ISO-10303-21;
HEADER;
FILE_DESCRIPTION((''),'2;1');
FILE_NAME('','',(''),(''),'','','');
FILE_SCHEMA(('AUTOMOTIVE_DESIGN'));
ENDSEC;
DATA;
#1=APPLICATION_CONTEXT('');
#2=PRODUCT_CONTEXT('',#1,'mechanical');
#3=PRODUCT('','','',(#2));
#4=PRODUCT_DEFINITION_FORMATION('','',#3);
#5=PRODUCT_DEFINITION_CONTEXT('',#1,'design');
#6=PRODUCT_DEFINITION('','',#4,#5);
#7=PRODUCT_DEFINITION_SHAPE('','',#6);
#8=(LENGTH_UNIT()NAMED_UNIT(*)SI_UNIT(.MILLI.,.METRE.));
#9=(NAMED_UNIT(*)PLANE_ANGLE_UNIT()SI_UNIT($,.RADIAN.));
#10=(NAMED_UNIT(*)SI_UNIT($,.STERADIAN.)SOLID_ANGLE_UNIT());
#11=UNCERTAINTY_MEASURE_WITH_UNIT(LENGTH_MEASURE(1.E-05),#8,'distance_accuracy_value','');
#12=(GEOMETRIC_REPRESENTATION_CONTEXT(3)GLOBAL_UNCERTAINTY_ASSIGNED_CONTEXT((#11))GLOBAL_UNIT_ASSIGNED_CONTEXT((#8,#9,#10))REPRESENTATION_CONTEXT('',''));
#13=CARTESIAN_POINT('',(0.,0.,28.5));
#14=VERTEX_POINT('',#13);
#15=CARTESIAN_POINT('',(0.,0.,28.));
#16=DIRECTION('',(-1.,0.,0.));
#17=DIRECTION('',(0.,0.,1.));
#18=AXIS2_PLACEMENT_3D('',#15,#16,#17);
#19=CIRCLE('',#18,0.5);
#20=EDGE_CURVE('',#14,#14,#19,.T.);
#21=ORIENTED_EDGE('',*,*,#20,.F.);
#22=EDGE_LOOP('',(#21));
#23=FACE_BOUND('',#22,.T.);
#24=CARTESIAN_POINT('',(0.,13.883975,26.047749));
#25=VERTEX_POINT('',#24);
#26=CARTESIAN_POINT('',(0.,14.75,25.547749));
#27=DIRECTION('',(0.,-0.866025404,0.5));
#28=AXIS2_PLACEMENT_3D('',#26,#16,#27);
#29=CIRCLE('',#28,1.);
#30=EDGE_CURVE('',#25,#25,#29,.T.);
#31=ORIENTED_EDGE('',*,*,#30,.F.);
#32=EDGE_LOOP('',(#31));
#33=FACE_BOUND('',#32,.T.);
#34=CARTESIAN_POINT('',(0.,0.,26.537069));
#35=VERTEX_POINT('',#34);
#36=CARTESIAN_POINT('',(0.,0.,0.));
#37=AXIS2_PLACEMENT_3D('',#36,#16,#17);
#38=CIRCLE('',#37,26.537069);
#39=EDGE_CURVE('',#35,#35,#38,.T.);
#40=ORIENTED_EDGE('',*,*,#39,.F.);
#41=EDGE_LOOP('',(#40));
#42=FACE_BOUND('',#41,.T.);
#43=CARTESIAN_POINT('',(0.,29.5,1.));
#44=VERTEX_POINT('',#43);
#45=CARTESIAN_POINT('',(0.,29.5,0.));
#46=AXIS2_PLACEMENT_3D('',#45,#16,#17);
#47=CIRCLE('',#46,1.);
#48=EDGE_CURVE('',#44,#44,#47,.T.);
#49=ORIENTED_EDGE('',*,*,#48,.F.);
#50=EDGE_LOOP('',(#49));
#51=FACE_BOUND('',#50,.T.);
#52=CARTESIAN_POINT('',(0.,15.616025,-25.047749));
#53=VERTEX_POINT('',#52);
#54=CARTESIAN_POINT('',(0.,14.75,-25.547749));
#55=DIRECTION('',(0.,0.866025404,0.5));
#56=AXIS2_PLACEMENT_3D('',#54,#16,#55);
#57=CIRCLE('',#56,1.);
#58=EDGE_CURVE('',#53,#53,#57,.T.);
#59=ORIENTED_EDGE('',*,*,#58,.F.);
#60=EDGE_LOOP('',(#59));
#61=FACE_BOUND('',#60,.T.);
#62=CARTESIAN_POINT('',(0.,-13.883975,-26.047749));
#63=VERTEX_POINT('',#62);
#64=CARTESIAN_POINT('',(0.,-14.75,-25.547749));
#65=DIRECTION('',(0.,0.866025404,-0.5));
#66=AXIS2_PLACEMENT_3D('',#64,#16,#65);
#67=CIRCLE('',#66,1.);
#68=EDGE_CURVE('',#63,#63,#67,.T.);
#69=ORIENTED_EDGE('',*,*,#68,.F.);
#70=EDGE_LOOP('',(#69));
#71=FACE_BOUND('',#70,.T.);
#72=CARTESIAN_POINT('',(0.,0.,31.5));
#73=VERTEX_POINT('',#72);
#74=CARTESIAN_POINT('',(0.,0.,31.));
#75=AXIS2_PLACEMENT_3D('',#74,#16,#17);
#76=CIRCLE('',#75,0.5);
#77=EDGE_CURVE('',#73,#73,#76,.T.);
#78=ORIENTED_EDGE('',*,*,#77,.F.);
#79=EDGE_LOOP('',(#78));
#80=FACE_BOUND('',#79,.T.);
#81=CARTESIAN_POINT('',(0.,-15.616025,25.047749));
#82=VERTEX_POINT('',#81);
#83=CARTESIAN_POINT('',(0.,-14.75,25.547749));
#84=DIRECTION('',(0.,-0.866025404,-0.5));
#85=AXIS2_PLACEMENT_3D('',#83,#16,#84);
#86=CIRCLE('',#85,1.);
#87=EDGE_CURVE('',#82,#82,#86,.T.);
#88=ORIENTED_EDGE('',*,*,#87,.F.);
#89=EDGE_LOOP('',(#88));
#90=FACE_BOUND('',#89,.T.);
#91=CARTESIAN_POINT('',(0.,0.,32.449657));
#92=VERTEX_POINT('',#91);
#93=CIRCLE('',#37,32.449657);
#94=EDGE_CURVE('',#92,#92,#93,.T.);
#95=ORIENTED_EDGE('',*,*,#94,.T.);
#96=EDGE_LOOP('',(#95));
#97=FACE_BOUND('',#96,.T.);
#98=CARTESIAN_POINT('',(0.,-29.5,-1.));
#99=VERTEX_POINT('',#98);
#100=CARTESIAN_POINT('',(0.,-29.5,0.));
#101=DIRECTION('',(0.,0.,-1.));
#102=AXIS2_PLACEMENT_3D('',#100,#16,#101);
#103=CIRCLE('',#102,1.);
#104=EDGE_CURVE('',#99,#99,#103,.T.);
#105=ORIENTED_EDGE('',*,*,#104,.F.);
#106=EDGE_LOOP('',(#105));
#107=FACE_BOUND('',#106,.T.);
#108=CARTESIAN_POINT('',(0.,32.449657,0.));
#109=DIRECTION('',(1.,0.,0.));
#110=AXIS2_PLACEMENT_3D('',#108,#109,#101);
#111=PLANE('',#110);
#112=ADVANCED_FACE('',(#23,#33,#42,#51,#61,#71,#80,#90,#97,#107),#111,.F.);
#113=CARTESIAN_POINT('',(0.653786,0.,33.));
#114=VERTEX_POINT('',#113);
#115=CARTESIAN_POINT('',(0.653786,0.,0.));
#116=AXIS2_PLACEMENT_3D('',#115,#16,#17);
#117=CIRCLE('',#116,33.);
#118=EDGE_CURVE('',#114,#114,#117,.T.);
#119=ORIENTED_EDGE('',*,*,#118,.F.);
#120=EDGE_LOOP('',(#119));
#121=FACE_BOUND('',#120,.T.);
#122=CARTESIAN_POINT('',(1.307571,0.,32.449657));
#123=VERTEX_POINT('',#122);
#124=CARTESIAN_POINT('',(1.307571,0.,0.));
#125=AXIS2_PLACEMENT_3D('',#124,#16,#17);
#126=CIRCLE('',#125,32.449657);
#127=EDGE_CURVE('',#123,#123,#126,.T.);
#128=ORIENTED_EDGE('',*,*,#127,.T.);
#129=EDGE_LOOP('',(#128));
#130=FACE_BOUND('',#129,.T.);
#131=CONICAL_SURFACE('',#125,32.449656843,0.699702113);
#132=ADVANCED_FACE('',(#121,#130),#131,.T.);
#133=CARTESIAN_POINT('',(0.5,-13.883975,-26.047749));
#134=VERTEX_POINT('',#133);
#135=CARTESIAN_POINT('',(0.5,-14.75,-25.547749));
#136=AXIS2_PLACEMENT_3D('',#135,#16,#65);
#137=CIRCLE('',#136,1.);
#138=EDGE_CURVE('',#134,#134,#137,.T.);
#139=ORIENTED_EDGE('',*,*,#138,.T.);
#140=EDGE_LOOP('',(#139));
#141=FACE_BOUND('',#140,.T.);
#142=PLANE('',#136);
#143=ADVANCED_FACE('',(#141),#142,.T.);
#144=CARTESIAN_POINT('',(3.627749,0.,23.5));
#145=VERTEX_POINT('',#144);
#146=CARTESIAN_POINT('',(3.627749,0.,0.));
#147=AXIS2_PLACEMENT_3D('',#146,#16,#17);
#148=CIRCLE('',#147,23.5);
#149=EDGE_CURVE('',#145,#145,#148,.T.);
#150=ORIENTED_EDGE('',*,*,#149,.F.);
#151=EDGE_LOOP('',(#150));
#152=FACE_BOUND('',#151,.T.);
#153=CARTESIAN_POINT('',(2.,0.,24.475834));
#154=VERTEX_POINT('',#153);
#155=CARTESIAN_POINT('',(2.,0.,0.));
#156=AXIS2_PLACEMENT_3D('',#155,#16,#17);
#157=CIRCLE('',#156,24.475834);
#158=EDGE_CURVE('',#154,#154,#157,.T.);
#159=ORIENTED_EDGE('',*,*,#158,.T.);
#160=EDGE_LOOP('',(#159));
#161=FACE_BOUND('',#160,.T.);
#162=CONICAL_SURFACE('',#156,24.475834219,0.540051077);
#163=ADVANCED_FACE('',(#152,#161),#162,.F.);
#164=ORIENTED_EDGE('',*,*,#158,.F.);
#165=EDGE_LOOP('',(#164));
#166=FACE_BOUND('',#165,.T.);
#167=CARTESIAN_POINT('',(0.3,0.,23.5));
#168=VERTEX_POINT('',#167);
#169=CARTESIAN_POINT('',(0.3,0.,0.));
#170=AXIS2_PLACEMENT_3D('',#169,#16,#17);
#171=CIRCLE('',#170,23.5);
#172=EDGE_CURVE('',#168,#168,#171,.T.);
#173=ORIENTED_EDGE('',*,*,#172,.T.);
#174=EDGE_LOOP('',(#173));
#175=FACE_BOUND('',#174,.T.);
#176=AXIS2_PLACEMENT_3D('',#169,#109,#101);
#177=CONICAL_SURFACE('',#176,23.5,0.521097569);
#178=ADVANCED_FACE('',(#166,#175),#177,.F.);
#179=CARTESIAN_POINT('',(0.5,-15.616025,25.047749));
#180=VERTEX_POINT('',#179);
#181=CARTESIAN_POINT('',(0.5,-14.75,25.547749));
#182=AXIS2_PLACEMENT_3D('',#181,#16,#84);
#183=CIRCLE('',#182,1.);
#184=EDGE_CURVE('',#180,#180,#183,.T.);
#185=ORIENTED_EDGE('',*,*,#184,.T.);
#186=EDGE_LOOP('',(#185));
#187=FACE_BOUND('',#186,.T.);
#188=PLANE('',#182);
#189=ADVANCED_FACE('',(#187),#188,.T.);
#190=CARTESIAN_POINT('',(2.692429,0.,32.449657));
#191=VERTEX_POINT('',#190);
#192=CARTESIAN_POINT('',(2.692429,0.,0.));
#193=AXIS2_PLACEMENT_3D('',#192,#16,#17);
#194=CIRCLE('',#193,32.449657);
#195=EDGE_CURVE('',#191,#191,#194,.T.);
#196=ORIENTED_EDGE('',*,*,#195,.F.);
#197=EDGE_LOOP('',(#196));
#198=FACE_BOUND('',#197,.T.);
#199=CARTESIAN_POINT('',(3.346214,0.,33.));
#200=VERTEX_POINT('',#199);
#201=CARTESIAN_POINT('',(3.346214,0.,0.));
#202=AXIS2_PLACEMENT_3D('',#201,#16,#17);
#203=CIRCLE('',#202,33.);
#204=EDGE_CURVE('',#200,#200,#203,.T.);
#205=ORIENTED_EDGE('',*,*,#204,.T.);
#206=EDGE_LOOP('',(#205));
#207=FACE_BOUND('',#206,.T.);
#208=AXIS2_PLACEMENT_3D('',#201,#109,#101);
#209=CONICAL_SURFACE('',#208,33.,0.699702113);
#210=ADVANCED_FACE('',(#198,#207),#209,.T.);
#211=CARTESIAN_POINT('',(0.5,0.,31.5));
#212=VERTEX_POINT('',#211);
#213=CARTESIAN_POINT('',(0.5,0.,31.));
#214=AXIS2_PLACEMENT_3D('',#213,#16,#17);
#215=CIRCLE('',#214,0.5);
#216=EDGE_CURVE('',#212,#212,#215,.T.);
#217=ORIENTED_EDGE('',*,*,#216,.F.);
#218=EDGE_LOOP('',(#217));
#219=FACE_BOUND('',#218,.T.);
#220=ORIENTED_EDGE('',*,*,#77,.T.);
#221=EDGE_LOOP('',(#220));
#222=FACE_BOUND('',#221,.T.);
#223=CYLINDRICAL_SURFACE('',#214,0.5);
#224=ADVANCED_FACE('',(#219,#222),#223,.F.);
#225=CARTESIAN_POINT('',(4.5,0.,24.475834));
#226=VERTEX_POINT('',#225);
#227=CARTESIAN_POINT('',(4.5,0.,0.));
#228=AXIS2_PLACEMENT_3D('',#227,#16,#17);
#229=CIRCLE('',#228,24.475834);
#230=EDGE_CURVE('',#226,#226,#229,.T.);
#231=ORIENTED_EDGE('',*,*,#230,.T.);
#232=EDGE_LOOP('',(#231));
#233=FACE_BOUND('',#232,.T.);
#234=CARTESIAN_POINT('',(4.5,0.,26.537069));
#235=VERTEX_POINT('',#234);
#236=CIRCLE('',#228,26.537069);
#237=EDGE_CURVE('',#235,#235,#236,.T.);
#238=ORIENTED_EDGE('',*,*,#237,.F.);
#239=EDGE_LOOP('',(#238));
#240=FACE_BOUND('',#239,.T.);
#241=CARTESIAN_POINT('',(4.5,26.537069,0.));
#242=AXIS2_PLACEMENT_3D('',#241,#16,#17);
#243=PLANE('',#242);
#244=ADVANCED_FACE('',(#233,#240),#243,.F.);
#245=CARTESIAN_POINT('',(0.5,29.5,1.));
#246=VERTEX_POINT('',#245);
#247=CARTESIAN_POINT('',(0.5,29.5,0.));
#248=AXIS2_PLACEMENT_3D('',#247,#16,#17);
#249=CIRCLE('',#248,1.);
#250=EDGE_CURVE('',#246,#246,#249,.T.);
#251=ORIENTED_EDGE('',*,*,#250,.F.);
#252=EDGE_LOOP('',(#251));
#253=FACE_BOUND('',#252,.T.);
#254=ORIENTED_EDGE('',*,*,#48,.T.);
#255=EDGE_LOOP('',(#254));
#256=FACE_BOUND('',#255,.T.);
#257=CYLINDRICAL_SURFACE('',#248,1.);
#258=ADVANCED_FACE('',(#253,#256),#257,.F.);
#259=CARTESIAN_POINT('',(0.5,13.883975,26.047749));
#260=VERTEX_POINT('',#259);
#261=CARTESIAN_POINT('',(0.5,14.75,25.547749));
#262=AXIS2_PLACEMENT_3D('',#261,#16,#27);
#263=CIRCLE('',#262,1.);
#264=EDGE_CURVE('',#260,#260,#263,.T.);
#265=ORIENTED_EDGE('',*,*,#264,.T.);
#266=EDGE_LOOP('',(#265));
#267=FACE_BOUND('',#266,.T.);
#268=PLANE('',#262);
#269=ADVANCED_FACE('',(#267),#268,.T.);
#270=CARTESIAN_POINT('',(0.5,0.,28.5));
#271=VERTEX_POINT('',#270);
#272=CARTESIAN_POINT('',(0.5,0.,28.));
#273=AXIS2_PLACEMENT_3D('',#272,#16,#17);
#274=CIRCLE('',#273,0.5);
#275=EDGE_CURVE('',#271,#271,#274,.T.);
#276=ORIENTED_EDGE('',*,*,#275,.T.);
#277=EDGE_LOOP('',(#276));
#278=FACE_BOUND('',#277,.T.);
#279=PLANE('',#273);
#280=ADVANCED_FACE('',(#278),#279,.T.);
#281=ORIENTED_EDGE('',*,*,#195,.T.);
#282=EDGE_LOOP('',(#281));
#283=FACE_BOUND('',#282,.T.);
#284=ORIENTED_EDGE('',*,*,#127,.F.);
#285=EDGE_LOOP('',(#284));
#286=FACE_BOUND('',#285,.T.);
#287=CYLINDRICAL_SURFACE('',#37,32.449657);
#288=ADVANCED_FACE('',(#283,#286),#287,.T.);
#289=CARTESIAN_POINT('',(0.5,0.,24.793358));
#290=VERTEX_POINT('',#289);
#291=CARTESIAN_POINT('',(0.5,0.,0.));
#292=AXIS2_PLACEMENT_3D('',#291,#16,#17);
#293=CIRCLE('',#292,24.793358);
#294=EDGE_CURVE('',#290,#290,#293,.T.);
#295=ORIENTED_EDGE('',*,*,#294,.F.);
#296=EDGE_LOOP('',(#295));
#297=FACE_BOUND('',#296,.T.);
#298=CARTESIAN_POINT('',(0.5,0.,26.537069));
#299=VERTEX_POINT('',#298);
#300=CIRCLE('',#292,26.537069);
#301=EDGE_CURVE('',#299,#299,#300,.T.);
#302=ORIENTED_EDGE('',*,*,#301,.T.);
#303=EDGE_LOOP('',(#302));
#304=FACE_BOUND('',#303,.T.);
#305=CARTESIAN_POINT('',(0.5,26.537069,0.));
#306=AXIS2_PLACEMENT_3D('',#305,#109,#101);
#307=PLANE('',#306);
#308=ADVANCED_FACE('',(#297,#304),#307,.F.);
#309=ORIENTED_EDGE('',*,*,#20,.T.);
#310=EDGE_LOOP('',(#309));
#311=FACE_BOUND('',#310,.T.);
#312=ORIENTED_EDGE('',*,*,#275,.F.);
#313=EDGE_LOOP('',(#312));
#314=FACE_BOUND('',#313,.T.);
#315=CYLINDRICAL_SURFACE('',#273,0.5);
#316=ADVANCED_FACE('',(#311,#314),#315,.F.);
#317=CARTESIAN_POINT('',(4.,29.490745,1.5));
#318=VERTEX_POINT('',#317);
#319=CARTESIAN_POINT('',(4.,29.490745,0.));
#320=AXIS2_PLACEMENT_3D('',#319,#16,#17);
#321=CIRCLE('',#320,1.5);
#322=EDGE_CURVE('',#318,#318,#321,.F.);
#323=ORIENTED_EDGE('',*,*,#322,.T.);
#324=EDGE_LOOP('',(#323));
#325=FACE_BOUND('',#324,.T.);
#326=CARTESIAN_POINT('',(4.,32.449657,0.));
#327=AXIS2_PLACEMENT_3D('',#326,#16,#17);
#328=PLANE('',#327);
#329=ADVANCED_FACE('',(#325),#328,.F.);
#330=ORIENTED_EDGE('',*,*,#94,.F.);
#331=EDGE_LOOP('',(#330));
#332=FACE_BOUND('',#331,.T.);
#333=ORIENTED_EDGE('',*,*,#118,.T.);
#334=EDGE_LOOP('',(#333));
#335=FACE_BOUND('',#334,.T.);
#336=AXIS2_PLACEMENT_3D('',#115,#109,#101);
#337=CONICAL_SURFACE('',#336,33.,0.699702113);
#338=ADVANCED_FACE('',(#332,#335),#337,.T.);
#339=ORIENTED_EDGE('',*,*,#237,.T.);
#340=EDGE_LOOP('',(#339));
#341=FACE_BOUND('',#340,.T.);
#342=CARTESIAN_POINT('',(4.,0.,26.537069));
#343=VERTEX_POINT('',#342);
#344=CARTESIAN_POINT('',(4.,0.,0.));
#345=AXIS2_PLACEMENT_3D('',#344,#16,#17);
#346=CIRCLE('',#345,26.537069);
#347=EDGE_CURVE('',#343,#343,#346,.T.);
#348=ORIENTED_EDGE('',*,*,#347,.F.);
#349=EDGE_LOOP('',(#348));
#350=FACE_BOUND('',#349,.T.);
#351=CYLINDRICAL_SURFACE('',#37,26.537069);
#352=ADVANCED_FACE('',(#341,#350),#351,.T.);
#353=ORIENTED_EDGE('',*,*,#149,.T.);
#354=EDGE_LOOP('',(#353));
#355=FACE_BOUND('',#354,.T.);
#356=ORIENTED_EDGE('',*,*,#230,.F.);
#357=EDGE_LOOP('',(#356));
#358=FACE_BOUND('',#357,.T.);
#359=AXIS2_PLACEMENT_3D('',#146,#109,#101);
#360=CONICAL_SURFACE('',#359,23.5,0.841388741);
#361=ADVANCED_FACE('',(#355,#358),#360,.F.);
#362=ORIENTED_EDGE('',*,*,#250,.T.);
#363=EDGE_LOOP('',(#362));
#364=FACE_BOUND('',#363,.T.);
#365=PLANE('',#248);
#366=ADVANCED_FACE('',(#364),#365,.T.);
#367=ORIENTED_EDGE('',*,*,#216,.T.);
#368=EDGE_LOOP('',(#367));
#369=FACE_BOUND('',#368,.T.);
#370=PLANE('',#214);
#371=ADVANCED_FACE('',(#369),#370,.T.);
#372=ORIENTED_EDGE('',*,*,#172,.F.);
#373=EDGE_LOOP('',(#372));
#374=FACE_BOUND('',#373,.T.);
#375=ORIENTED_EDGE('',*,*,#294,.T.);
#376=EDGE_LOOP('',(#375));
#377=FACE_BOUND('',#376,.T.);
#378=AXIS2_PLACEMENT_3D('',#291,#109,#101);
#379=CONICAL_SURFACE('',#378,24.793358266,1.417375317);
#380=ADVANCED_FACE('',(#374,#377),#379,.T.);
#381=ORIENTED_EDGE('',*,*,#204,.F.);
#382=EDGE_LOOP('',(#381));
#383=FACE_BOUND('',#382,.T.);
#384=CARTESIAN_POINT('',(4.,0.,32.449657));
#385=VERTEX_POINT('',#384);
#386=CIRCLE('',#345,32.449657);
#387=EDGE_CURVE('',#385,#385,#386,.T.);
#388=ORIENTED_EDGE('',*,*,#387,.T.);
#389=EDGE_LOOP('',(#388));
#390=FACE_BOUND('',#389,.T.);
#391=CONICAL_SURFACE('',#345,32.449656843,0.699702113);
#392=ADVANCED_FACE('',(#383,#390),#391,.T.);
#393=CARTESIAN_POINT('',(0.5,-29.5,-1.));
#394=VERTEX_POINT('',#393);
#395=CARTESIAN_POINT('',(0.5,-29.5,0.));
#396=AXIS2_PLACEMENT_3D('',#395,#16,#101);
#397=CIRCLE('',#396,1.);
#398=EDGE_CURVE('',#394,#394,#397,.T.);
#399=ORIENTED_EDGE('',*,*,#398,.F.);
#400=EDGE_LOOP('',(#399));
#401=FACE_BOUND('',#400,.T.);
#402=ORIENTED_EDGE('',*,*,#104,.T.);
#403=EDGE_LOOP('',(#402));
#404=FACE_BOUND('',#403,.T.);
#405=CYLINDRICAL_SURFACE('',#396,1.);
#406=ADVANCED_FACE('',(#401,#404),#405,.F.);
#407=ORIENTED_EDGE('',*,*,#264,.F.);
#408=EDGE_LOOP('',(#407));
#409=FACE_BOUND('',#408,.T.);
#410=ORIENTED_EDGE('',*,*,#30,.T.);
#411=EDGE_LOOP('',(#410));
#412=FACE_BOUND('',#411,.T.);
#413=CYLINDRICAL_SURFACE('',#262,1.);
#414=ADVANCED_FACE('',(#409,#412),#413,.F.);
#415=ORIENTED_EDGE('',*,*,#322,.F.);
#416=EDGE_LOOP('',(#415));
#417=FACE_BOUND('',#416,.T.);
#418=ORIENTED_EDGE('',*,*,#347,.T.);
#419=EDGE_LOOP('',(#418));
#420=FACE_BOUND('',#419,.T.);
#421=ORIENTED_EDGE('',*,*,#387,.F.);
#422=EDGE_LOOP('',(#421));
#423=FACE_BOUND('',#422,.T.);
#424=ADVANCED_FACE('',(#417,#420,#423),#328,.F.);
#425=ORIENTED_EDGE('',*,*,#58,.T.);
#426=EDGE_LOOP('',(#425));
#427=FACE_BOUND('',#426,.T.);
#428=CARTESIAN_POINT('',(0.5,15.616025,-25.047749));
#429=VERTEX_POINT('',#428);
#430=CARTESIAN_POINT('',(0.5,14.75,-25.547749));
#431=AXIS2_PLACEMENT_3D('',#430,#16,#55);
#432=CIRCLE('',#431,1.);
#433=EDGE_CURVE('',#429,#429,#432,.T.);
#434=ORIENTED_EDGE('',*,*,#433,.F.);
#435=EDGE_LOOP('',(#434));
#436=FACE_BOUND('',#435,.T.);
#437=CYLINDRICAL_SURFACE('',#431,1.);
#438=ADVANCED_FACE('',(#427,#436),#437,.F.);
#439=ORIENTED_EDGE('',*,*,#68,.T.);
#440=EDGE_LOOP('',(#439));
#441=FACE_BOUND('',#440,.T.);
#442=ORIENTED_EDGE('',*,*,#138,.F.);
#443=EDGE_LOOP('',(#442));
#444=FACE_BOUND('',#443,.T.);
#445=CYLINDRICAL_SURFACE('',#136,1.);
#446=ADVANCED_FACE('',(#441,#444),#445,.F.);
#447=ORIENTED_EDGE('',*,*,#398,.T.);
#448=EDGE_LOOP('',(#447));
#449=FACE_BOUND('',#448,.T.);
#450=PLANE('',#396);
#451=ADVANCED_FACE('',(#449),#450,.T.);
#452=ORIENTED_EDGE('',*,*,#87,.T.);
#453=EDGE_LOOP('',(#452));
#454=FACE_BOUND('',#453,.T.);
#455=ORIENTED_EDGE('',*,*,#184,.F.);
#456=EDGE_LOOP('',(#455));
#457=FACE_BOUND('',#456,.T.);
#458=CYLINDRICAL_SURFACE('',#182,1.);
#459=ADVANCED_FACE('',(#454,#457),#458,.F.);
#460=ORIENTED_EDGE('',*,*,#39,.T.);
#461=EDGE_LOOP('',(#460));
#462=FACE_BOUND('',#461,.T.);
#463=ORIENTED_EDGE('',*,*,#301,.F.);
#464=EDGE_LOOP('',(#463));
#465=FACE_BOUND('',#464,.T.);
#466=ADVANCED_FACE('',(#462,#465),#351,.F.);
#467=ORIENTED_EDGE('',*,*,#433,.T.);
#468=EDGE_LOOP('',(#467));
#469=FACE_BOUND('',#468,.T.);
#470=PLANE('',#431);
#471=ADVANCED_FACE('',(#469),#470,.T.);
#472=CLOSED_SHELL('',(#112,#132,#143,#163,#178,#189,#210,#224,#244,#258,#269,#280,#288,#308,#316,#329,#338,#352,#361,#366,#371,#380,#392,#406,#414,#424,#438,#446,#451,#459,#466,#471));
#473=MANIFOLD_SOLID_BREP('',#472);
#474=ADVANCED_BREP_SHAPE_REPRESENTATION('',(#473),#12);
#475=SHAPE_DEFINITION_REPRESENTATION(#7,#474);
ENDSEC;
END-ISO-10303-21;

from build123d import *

# Parameters (mm, degrees)
ESQUISSE2_R                  = 1
ENL_V_MAT_EXTRU_1_DEPTH      = 0.5
R_P_TITION_CIRCULAIRE1_COUNT = 6
ESQUISSE5_R                  = 0.5
ENL_V_MAT_EXTRU_2_DEPTH      = 0.5


with BuildPart() as part:
    # Esquisse1 → Base-Révolution (revolve)
    with BuildSketch(Plane.XY):
        Polygon((0, 32.449656843), (0.653785579, 33), (1.307571158, 32.449656843), (2.692428842, 32.449656843), (3.346214421, 33), (4, 32.449656843), (4, 26.537069046), (4.5, 26.537069046), (4.5, 24.475834219), (3.627749385, 23.5), (2, 24.475834219), (0.3, 23.5), (0.5, 24.793358266), (0.5, 26.537069046), (0, 26.537069046), align=None)
    revolve(axis=Axis((0, 0, 0), (1, 0, 0)))

    # Esquisse2 → Enlèv. mat.-Extru.1 (cut)
    with BuildSketch(Plane.ZY):
        with Locations((0, 29.5)):
            Circle(ESQUISSE2_R)
    enl_v_mat_extru_1 = extrude(amount=-ENL_V_MAT_EXTRU_1_DEPTH, mode=Mode.SUBTRACT)

    # Répétition circulaire1: Enlèv. mat.-Extru.1 ×6 about axis
    r_p_tition_circulaire1_axis = Axis((-2.3625, 0, 0), (1, 0, 0))
    for i in range(1, R_P_TITION_CIRCULAIRE1_COUNT):
        add(enl_v_mat_extru_1.rotate(r_p_tition_circulaire1_axis, i * 360 / R_P_TITION_CIRCULAIRE1_COUNT), mode=Mode.SUBTRACT)

    # Esquisse5 → Enlèv. mat.-Extru.2 (cut)
    with BuildSketch(Plane.ZY):
        with Locations((31, 0)):
            Circle(ESQUISSE5_R)
        with Locations((28, 0)):
            Circle(ESQUISSE5_R)
    extrude(amount=-ENL_V_MAT_EXTRU_2_DEPTH, mode=Mode.SUBTRACT)


solid = part.part
